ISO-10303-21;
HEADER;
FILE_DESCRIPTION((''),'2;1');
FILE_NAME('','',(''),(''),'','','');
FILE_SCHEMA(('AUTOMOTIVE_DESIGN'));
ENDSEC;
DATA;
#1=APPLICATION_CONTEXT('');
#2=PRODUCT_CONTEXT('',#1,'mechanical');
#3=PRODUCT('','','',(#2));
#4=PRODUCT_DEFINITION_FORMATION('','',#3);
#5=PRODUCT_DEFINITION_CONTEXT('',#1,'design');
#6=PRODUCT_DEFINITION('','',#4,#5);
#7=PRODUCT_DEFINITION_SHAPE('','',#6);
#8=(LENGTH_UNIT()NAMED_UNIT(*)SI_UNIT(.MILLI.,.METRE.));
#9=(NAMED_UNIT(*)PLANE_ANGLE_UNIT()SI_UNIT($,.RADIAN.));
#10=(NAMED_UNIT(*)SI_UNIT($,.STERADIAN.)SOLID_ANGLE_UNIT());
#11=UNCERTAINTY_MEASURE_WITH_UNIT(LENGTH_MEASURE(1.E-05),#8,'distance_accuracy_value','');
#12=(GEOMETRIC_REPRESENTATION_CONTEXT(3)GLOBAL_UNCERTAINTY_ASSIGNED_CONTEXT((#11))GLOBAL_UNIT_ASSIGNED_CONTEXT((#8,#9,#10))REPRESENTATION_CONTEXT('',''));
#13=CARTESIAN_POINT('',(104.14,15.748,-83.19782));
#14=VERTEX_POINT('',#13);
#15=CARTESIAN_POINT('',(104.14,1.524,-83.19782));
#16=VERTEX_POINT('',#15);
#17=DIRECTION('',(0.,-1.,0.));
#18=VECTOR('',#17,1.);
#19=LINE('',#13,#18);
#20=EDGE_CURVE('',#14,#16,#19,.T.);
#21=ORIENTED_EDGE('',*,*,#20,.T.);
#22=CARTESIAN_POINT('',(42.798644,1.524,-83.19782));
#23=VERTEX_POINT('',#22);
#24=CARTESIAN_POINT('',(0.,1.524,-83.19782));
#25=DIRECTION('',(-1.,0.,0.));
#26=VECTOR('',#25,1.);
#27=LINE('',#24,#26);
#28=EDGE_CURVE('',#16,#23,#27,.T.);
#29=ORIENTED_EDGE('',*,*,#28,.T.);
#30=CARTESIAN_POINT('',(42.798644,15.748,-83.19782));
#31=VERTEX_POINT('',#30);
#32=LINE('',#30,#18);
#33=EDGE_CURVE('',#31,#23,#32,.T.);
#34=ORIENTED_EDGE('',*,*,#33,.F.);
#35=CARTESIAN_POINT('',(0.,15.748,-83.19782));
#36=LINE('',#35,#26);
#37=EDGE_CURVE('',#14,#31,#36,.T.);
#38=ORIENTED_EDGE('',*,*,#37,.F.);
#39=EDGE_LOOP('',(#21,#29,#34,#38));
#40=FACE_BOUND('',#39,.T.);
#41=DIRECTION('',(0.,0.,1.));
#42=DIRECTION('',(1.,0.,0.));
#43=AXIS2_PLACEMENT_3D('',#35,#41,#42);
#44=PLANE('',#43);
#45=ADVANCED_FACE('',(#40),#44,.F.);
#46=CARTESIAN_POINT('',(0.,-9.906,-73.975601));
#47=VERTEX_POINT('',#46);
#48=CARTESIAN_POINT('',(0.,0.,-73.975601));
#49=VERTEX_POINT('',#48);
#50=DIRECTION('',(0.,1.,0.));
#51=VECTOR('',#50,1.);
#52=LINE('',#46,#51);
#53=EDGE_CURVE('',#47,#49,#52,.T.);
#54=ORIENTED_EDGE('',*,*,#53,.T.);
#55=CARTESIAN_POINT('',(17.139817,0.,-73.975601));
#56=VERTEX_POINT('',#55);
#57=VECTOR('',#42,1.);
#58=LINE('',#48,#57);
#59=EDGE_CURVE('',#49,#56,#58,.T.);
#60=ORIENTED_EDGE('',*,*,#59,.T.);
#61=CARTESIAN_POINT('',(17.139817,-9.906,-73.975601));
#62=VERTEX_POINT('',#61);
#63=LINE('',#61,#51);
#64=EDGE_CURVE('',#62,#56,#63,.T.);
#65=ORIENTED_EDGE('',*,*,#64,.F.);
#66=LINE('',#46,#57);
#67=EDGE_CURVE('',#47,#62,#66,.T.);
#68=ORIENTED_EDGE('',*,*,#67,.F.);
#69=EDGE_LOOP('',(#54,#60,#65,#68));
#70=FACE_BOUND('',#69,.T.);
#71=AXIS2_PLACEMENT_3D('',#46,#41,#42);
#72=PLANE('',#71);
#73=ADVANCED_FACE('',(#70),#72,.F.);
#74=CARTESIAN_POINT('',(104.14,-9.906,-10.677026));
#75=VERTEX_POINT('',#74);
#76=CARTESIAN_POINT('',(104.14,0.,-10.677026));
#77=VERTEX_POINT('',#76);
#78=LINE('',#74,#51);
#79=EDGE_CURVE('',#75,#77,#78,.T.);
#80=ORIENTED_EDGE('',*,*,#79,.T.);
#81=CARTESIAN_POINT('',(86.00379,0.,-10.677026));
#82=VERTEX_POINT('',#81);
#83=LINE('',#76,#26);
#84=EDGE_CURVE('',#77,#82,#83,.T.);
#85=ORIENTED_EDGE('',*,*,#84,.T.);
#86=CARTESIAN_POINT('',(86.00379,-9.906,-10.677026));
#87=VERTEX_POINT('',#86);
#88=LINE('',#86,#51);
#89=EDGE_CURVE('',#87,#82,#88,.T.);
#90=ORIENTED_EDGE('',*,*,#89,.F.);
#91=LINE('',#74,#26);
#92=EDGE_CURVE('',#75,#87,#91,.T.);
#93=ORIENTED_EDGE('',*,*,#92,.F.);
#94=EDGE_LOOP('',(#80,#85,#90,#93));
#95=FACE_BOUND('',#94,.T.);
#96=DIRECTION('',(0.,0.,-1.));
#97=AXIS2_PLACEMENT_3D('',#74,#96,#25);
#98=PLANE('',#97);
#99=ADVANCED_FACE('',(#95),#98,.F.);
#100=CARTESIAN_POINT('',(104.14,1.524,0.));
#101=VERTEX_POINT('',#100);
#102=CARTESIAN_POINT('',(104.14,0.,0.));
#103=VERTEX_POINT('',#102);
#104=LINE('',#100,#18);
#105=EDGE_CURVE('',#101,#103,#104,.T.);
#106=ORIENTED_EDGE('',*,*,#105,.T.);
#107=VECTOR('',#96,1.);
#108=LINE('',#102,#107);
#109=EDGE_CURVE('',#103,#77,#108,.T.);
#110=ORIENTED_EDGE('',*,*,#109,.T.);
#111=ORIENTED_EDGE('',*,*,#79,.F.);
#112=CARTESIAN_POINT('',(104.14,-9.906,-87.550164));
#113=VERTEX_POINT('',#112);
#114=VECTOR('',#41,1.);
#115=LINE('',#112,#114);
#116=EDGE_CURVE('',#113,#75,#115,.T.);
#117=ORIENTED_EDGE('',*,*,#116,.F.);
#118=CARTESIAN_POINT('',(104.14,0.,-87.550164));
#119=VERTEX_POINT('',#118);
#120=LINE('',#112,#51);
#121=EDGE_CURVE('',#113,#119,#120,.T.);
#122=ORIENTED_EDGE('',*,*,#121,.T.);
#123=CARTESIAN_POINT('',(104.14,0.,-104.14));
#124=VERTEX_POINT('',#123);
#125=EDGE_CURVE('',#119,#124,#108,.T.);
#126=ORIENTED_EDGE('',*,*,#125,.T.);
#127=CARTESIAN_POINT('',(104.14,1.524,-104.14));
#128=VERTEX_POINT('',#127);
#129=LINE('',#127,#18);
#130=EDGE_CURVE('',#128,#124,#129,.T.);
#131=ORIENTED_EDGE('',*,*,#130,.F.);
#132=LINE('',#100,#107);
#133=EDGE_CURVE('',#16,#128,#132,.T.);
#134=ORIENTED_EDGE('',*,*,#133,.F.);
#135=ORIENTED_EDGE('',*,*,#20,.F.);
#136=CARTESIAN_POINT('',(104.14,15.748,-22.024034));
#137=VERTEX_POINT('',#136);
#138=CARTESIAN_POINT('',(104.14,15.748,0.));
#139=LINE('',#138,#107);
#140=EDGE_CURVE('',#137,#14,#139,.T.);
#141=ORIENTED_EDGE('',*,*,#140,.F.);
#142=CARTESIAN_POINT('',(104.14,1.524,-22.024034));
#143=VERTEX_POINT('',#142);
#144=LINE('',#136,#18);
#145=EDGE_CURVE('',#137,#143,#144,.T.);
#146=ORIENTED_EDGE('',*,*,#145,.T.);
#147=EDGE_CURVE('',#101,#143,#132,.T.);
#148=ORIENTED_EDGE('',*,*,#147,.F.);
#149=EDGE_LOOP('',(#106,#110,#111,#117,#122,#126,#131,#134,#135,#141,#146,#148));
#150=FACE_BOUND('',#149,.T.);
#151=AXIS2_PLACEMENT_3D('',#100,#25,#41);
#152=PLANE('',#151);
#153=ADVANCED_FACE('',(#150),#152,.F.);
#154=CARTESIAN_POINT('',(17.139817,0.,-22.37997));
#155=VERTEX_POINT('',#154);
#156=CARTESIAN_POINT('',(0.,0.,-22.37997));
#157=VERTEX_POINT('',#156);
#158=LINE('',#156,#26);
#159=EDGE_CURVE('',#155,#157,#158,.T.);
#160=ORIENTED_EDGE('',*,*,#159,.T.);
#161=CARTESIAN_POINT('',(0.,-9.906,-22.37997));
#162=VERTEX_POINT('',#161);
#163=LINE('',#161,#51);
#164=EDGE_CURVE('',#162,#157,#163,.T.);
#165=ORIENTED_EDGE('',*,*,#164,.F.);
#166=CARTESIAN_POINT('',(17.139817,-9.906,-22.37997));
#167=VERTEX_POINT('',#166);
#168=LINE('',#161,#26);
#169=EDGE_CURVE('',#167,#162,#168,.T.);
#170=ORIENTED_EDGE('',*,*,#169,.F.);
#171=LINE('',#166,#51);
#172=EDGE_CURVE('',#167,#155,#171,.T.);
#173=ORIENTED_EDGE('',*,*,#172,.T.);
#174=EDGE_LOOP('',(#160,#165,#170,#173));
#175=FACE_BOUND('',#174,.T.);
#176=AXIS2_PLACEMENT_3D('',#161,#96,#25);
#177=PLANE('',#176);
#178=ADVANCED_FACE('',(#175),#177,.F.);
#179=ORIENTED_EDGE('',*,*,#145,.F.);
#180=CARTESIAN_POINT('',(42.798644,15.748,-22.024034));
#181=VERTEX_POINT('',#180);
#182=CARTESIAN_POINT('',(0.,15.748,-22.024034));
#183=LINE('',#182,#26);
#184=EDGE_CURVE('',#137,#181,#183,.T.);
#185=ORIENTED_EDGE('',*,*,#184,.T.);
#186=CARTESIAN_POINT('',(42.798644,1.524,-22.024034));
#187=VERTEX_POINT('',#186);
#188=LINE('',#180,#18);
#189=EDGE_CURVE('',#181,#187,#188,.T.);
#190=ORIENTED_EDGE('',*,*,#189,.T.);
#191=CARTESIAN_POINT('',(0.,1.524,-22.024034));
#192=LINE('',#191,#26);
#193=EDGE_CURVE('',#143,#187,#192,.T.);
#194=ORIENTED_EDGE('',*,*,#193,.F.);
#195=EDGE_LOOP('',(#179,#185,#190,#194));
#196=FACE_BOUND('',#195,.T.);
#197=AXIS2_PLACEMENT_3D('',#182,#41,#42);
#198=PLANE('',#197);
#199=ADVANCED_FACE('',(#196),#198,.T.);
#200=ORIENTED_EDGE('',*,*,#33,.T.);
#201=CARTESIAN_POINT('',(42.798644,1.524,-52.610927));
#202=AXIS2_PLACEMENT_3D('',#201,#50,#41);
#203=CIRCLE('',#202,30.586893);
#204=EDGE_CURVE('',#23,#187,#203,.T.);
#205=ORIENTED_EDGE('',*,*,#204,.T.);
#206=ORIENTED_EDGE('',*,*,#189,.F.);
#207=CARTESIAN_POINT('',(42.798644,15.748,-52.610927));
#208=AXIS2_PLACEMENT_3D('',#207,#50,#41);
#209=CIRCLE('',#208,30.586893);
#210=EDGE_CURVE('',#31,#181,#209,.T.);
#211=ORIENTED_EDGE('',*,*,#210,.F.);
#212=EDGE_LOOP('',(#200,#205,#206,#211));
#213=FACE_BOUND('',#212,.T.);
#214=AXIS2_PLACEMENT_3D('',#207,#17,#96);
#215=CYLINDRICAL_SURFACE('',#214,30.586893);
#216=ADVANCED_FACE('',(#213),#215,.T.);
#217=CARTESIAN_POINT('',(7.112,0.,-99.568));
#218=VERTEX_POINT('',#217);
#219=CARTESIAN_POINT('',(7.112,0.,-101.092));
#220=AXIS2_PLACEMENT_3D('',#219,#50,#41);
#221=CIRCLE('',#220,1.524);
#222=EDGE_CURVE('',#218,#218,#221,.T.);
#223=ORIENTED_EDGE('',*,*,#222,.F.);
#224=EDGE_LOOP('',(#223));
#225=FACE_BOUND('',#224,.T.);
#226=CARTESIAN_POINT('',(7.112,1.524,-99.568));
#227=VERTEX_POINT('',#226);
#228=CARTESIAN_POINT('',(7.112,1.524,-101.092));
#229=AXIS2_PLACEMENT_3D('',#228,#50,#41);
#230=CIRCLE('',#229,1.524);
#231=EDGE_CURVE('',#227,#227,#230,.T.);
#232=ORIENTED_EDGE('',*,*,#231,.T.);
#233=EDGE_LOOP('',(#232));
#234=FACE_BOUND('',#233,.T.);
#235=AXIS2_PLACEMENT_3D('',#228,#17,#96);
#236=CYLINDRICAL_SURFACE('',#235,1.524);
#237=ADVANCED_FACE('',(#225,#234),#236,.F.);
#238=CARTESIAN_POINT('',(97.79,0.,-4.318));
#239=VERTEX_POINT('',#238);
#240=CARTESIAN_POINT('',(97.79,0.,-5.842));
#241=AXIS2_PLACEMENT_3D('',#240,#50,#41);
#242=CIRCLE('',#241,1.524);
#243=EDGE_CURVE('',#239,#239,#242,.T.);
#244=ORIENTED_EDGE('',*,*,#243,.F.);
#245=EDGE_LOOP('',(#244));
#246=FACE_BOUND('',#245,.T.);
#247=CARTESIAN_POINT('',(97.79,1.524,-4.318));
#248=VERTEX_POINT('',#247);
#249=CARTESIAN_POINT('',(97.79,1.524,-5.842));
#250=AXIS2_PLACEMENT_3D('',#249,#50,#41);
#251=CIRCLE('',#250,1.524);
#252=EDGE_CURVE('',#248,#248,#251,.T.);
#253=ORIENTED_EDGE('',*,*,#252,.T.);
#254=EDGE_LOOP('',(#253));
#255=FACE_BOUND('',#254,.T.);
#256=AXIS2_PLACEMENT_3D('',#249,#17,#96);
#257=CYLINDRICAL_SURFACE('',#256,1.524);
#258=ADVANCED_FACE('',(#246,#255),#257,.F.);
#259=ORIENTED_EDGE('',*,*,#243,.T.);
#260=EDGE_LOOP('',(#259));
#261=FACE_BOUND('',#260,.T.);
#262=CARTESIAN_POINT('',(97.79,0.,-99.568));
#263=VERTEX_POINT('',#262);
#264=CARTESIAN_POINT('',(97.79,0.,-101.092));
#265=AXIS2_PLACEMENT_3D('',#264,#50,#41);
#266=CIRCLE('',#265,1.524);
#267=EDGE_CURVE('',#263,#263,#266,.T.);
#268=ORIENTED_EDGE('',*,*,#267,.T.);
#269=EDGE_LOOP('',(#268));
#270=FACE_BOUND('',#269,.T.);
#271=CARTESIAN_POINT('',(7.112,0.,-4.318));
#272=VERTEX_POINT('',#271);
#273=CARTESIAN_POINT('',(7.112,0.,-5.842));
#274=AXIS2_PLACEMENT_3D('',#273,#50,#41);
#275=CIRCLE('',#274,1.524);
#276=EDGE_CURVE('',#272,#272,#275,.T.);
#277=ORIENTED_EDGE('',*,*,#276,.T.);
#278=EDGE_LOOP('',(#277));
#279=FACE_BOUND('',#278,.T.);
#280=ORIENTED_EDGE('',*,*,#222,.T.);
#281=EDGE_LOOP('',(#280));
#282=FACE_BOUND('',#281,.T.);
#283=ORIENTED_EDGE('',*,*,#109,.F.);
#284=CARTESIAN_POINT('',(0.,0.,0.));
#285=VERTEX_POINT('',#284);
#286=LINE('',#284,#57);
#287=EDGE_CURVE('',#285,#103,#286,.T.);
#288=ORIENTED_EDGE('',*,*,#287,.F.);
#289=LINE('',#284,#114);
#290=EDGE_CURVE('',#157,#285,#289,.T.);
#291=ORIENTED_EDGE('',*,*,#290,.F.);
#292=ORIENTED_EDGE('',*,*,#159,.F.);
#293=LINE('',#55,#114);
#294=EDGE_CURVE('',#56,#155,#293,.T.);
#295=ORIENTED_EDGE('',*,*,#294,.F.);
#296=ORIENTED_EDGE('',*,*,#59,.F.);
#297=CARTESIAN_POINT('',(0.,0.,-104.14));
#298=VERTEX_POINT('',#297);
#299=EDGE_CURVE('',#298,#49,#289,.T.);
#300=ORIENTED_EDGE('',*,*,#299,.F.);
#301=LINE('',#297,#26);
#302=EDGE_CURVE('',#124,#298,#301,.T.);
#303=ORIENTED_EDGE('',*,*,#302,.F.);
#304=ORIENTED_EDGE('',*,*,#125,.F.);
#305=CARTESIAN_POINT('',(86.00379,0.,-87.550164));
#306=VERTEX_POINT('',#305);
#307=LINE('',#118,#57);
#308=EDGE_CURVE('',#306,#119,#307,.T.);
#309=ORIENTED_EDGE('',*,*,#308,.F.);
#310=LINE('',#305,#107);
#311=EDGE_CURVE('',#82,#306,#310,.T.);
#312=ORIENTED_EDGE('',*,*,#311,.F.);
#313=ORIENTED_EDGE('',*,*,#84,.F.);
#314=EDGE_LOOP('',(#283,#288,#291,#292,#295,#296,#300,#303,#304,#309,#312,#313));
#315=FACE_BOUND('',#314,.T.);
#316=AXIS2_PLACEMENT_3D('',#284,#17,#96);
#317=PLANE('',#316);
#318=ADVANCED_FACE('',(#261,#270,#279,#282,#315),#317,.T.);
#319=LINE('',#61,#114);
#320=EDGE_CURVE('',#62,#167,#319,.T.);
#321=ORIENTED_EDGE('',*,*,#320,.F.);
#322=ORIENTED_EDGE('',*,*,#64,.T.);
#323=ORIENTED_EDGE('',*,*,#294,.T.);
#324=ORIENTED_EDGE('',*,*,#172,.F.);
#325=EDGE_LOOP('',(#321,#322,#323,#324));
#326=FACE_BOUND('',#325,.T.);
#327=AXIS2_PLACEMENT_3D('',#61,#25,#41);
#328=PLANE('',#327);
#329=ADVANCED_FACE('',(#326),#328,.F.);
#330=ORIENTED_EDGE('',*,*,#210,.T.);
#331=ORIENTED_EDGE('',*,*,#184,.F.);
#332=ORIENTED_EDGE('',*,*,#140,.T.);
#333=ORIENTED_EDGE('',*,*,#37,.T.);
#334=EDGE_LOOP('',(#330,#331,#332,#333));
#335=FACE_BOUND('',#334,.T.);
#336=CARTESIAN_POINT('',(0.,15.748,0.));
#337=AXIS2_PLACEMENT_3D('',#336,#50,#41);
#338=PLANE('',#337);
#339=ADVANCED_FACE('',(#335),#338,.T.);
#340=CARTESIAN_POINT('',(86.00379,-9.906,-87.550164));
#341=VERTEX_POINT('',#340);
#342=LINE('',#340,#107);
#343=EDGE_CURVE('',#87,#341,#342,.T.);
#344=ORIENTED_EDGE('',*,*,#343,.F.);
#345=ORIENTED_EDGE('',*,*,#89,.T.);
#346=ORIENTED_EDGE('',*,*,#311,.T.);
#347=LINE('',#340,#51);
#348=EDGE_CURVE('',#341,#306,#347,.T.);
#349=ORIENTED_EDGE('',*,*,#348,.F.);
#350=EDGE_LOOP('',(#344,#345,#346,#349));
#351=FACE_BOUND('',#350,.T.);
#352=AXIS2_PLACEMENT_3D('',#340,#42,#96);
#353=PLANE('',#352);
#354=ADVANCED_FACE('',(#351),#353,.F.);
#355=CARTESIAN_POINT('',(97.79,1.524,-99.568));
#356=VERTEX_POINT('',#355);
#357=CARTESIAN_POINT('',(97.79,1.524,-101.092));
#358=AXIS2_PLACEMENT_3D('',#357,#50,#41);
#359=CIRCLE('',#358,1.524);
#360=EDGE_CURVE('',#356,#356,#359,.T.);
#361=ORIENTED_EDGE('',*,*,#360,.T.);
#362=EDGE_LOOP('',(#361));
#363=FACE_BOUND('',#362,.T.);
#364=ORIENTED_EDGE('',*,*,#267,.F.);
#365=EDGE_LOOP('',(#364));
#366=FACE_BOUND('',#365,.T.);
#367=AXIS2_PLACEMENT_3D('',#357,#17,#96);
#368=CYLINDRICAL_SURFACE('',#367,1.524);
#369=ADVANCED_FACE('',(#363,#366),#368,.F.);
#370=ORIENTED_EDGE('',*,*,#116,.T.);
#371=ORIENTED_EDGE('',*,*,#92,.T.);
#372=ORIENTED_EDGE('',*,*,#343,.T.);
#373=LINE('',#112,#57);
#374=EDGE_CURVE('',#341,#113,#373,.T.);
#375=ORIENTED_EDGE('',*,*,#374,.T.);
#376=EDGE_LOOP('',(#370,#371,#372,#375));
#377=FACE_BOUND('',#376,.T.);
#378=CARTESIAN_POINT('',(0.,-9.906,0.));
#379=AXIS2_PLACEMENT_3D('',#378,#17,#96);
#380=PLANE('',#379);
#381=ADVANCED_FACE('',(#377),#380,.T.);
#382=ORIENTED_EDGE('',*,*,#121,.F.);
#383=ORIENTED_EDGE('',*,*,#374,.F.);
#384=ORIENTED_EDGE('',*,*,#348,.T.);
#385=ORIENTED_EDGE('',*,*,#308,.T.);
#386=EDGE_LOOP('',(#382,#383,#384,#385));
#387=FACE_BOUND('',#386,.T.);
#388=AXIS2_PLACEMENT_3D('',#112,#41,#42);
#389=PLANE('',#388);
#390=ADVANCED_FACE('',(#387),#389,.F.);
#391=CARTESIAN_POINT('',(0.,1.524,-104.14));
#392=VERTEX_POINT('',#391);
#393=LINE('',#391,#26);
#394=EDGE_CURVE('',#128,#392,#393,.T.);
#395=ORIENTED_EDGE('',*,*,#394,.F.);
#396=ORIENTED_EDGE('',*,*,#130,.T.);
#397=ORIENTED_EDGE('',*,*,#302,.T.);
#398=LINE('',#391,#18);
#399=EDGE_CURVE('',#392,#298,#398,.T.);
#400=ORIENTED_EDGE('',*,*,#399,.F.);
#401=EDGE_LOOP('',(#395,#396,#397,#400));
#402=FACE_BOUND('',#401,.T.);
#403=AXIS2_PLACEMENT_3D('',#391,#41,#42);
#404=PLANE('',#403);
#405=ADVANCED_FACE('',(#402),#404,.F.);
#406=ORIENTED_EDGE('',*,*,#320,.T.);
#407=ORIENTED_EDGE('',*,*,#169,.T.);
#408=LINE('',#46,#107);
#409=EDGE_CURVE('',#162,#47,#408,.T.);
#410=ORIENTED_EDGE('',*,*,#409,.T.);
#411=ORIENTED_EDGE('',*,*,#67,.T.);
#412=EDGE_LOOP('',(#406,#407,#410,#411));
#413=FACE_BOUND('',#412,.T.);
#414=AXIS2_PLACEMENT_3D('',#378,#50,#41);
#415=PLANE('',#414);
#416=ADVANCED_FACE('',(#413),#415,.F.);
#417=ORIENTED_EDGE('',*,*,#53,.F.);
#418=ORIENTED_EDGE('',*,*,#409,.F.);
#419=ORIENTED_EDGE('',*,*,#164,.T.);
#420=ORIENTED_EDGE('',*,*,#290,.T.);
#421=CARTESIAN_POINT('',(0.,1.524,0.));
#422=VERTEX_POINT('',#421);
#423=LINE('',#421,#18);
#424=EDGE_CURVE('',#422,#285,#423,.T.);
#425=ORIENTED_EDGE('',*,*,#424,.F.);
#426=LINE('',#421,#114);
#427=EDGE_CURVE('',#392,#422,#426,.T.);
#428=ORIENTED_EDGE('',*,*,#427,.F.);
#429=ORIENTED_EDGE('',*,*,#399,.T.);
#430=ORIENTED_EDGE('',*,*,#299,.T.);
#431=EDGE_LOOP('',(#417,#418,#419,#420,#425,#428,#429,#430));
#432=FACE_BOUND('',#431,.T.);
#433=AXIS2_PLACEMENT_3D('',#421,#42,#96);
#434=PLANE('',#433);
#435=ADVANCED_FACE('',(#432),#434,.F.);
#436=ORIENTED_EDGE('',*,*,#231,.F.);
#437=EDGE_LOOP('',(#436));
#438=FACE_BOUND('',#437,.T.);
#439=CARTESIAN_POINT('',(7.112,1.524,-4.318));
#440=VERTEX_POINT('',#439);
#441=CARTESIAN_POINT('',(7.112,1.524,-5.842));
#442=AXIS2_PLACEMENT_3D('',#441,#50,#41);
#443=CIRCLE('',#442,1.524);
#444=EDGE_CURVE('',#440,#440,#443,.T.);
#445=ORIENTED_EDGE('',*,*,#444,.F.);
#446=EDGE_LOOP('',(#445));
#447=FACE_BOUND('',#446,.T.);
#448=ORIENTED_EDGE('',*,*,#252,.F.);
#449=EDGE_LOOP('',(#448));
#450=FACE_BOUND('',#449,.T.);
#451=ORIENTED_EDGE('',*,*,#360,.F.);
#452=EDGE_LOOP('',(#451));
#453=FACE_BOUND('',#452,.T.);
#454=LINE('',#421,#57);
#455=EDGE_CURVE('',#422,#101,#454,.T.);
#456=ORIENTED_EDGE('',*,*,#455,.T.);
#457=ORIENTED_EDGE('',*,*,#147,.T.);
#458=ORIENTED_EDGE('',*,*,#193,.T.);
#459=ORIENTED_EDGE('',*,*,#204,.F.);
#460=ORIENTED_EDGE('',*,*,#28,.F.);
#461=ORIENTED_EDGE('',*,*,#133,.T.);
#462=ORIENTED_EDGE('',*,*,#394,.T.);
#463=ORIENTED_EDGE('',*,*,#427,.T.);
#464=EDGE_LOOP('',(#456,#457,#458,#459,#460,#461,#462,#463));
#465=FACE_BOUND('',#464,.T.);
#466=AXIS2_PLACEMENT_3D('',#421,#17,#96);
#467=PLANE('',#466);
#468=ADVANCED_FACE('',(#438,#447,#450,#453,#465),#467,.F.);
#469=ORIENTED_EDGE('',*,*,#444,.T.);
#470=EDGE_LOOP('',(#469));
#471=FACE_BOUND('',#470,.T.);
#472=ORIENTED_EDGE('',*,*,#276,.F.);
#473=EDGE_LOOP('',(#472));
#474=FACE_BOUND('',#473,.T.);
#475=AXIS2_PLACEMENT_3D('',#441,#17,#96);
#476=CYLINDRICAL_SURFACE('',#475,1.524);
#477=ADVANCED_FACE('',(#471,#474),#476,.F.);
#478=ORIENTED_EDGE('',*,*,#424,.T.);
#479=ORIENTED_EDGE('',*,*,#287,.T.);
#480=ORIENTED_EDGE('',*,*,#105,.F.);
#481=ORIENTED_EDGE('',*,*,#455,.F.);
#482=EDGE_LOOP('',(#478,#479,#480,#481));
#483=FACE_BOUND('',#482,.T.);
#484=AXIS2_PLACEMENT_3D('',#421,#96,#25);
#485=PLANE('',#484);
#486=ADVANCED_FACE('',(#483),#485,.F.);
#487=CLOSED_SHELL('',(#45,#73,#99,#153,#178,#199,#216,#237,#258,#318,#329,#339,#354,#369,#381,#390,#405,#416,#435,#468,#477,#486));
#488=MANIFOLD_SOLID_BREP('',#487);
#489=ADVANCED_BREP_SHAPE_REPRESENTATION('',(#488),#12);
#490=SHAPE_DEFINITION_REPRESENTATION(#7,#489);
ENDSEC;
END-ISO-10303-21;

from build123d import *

# Parameters (mm, degrees)
SKETCH1_W           = 104.14
SKETCH1_H           = 104.14
SKETCH1_R           = 1.524
BOSS_EXTRUDE1_DEPTH = 1.524
BOSS_EXTRUDE2_DEPTH = 14.224
SKETCH3_W           = 18.136210303
SKETCH3_H           = 76.873137305
BOSS_EXTRUDE3_DEPTH = 9.906
SKETCH5_W           = 17.139817269
SKETCH5_H           = 51.595631098
BOSS_EXTRUDE4_DEPTH = 9.906


with BuildPart() as part:
    # Sketch1 → Boss-Extrude1 (new body)
    with BuildSketch(Plane(origin=(0, 0, 0), x_dir=(1, 0, 0), z_dir=(0, 1, 0))):
        with Locations((52.07, 52.07)):
            Rectangle(SKETCH1_W, SKETCH1_H)
        with Locations((7.112, 101.092)):
            Circle(SKETCH1_R, mode=Mode.SUBTRACT)
        with Locations((97.79, 101.092)):
            Circle(SKETCH1_R, mode=Mode.SUBTRACT)
        with Locations((7.112, 5.842)):
            Circle(SKETCH1_R, mode=Mode.SUBTRACT)
        with Locations((97.79, 5.842)):
            Circle(SKETCH1_R, mode=Mode.SUBTRACT)
    extrude(amount=BOSS_EXTRUDE1_DEPTH)

    # Sketch2 → Boss-Extrude2 (add)
    with BuildSketch(Plane(origin=(0, 1.524, 0), x_dir=(1, 0, 0), z_dir=(0, 1, 0))):
        with BuildLine():
            Line((104.14, 22.024034198), (104.14, 83.197819697))
            Line((104.14, 83.197819697), (42.798644119, 83.197819697))
            ThreePointArc((42.798644119, 83.197819697), (64.426843398, 74.239126226), (73.385536869, 52.610926948))
            ThreePointArc((73.385536869, 52.610926948), (64.426843398, 30.982727669), (42.798644119, 22.024034198))
            Line((42.798644119, 22.024034198), (104.14, 22.024034198))
        make_face()
        with BuildLine():
            ThreePointArc((73.385536869, 52.610926948), (64.426843398, 74.239126226), (42.798644119, 83.197819697))
            Line((42.798644119, 83.197819697), (42.798644119, 22.024034198))
            ThreePointArc((42.798644119, 22.024034198), (64.426843398, 30.982727669), (73.385536869, 52.610926948))
        make_face()
        with BuildLine():
            Line((42.798644119, 22.024034198), (42.798644119, 83.197819697))
            ThreePointArc((42.798644119, 83.197819697), (12.211751369, 52.610926948), (42.798644119, 22.024034198))
        make_face()
    extrude(amount=BOSS_EXTRUDE2_DEPTH)

    # Sketch3 → Boss-Extrude3 (add)
    with BuildSketch(Plane.XZ):
        with Locations((95.071894848, -49.113594912)):
            Rectangle(SKETCH3_W, SKETCH3_H)
    extrude(amount=BOSS_EXTRUDE3_DEPTH)

    # Sketch5 → Boss-Extrude4 (add)
    with BuildSketch(Plane.XZ):
        with Locations((8.569908635, -48.177785321)):
            Rectangle(SKETCH5_W, SKETCH5_H)
    extrude(amount=BOSS_EXTRUDE4_DEPTH)


solid = part.part
